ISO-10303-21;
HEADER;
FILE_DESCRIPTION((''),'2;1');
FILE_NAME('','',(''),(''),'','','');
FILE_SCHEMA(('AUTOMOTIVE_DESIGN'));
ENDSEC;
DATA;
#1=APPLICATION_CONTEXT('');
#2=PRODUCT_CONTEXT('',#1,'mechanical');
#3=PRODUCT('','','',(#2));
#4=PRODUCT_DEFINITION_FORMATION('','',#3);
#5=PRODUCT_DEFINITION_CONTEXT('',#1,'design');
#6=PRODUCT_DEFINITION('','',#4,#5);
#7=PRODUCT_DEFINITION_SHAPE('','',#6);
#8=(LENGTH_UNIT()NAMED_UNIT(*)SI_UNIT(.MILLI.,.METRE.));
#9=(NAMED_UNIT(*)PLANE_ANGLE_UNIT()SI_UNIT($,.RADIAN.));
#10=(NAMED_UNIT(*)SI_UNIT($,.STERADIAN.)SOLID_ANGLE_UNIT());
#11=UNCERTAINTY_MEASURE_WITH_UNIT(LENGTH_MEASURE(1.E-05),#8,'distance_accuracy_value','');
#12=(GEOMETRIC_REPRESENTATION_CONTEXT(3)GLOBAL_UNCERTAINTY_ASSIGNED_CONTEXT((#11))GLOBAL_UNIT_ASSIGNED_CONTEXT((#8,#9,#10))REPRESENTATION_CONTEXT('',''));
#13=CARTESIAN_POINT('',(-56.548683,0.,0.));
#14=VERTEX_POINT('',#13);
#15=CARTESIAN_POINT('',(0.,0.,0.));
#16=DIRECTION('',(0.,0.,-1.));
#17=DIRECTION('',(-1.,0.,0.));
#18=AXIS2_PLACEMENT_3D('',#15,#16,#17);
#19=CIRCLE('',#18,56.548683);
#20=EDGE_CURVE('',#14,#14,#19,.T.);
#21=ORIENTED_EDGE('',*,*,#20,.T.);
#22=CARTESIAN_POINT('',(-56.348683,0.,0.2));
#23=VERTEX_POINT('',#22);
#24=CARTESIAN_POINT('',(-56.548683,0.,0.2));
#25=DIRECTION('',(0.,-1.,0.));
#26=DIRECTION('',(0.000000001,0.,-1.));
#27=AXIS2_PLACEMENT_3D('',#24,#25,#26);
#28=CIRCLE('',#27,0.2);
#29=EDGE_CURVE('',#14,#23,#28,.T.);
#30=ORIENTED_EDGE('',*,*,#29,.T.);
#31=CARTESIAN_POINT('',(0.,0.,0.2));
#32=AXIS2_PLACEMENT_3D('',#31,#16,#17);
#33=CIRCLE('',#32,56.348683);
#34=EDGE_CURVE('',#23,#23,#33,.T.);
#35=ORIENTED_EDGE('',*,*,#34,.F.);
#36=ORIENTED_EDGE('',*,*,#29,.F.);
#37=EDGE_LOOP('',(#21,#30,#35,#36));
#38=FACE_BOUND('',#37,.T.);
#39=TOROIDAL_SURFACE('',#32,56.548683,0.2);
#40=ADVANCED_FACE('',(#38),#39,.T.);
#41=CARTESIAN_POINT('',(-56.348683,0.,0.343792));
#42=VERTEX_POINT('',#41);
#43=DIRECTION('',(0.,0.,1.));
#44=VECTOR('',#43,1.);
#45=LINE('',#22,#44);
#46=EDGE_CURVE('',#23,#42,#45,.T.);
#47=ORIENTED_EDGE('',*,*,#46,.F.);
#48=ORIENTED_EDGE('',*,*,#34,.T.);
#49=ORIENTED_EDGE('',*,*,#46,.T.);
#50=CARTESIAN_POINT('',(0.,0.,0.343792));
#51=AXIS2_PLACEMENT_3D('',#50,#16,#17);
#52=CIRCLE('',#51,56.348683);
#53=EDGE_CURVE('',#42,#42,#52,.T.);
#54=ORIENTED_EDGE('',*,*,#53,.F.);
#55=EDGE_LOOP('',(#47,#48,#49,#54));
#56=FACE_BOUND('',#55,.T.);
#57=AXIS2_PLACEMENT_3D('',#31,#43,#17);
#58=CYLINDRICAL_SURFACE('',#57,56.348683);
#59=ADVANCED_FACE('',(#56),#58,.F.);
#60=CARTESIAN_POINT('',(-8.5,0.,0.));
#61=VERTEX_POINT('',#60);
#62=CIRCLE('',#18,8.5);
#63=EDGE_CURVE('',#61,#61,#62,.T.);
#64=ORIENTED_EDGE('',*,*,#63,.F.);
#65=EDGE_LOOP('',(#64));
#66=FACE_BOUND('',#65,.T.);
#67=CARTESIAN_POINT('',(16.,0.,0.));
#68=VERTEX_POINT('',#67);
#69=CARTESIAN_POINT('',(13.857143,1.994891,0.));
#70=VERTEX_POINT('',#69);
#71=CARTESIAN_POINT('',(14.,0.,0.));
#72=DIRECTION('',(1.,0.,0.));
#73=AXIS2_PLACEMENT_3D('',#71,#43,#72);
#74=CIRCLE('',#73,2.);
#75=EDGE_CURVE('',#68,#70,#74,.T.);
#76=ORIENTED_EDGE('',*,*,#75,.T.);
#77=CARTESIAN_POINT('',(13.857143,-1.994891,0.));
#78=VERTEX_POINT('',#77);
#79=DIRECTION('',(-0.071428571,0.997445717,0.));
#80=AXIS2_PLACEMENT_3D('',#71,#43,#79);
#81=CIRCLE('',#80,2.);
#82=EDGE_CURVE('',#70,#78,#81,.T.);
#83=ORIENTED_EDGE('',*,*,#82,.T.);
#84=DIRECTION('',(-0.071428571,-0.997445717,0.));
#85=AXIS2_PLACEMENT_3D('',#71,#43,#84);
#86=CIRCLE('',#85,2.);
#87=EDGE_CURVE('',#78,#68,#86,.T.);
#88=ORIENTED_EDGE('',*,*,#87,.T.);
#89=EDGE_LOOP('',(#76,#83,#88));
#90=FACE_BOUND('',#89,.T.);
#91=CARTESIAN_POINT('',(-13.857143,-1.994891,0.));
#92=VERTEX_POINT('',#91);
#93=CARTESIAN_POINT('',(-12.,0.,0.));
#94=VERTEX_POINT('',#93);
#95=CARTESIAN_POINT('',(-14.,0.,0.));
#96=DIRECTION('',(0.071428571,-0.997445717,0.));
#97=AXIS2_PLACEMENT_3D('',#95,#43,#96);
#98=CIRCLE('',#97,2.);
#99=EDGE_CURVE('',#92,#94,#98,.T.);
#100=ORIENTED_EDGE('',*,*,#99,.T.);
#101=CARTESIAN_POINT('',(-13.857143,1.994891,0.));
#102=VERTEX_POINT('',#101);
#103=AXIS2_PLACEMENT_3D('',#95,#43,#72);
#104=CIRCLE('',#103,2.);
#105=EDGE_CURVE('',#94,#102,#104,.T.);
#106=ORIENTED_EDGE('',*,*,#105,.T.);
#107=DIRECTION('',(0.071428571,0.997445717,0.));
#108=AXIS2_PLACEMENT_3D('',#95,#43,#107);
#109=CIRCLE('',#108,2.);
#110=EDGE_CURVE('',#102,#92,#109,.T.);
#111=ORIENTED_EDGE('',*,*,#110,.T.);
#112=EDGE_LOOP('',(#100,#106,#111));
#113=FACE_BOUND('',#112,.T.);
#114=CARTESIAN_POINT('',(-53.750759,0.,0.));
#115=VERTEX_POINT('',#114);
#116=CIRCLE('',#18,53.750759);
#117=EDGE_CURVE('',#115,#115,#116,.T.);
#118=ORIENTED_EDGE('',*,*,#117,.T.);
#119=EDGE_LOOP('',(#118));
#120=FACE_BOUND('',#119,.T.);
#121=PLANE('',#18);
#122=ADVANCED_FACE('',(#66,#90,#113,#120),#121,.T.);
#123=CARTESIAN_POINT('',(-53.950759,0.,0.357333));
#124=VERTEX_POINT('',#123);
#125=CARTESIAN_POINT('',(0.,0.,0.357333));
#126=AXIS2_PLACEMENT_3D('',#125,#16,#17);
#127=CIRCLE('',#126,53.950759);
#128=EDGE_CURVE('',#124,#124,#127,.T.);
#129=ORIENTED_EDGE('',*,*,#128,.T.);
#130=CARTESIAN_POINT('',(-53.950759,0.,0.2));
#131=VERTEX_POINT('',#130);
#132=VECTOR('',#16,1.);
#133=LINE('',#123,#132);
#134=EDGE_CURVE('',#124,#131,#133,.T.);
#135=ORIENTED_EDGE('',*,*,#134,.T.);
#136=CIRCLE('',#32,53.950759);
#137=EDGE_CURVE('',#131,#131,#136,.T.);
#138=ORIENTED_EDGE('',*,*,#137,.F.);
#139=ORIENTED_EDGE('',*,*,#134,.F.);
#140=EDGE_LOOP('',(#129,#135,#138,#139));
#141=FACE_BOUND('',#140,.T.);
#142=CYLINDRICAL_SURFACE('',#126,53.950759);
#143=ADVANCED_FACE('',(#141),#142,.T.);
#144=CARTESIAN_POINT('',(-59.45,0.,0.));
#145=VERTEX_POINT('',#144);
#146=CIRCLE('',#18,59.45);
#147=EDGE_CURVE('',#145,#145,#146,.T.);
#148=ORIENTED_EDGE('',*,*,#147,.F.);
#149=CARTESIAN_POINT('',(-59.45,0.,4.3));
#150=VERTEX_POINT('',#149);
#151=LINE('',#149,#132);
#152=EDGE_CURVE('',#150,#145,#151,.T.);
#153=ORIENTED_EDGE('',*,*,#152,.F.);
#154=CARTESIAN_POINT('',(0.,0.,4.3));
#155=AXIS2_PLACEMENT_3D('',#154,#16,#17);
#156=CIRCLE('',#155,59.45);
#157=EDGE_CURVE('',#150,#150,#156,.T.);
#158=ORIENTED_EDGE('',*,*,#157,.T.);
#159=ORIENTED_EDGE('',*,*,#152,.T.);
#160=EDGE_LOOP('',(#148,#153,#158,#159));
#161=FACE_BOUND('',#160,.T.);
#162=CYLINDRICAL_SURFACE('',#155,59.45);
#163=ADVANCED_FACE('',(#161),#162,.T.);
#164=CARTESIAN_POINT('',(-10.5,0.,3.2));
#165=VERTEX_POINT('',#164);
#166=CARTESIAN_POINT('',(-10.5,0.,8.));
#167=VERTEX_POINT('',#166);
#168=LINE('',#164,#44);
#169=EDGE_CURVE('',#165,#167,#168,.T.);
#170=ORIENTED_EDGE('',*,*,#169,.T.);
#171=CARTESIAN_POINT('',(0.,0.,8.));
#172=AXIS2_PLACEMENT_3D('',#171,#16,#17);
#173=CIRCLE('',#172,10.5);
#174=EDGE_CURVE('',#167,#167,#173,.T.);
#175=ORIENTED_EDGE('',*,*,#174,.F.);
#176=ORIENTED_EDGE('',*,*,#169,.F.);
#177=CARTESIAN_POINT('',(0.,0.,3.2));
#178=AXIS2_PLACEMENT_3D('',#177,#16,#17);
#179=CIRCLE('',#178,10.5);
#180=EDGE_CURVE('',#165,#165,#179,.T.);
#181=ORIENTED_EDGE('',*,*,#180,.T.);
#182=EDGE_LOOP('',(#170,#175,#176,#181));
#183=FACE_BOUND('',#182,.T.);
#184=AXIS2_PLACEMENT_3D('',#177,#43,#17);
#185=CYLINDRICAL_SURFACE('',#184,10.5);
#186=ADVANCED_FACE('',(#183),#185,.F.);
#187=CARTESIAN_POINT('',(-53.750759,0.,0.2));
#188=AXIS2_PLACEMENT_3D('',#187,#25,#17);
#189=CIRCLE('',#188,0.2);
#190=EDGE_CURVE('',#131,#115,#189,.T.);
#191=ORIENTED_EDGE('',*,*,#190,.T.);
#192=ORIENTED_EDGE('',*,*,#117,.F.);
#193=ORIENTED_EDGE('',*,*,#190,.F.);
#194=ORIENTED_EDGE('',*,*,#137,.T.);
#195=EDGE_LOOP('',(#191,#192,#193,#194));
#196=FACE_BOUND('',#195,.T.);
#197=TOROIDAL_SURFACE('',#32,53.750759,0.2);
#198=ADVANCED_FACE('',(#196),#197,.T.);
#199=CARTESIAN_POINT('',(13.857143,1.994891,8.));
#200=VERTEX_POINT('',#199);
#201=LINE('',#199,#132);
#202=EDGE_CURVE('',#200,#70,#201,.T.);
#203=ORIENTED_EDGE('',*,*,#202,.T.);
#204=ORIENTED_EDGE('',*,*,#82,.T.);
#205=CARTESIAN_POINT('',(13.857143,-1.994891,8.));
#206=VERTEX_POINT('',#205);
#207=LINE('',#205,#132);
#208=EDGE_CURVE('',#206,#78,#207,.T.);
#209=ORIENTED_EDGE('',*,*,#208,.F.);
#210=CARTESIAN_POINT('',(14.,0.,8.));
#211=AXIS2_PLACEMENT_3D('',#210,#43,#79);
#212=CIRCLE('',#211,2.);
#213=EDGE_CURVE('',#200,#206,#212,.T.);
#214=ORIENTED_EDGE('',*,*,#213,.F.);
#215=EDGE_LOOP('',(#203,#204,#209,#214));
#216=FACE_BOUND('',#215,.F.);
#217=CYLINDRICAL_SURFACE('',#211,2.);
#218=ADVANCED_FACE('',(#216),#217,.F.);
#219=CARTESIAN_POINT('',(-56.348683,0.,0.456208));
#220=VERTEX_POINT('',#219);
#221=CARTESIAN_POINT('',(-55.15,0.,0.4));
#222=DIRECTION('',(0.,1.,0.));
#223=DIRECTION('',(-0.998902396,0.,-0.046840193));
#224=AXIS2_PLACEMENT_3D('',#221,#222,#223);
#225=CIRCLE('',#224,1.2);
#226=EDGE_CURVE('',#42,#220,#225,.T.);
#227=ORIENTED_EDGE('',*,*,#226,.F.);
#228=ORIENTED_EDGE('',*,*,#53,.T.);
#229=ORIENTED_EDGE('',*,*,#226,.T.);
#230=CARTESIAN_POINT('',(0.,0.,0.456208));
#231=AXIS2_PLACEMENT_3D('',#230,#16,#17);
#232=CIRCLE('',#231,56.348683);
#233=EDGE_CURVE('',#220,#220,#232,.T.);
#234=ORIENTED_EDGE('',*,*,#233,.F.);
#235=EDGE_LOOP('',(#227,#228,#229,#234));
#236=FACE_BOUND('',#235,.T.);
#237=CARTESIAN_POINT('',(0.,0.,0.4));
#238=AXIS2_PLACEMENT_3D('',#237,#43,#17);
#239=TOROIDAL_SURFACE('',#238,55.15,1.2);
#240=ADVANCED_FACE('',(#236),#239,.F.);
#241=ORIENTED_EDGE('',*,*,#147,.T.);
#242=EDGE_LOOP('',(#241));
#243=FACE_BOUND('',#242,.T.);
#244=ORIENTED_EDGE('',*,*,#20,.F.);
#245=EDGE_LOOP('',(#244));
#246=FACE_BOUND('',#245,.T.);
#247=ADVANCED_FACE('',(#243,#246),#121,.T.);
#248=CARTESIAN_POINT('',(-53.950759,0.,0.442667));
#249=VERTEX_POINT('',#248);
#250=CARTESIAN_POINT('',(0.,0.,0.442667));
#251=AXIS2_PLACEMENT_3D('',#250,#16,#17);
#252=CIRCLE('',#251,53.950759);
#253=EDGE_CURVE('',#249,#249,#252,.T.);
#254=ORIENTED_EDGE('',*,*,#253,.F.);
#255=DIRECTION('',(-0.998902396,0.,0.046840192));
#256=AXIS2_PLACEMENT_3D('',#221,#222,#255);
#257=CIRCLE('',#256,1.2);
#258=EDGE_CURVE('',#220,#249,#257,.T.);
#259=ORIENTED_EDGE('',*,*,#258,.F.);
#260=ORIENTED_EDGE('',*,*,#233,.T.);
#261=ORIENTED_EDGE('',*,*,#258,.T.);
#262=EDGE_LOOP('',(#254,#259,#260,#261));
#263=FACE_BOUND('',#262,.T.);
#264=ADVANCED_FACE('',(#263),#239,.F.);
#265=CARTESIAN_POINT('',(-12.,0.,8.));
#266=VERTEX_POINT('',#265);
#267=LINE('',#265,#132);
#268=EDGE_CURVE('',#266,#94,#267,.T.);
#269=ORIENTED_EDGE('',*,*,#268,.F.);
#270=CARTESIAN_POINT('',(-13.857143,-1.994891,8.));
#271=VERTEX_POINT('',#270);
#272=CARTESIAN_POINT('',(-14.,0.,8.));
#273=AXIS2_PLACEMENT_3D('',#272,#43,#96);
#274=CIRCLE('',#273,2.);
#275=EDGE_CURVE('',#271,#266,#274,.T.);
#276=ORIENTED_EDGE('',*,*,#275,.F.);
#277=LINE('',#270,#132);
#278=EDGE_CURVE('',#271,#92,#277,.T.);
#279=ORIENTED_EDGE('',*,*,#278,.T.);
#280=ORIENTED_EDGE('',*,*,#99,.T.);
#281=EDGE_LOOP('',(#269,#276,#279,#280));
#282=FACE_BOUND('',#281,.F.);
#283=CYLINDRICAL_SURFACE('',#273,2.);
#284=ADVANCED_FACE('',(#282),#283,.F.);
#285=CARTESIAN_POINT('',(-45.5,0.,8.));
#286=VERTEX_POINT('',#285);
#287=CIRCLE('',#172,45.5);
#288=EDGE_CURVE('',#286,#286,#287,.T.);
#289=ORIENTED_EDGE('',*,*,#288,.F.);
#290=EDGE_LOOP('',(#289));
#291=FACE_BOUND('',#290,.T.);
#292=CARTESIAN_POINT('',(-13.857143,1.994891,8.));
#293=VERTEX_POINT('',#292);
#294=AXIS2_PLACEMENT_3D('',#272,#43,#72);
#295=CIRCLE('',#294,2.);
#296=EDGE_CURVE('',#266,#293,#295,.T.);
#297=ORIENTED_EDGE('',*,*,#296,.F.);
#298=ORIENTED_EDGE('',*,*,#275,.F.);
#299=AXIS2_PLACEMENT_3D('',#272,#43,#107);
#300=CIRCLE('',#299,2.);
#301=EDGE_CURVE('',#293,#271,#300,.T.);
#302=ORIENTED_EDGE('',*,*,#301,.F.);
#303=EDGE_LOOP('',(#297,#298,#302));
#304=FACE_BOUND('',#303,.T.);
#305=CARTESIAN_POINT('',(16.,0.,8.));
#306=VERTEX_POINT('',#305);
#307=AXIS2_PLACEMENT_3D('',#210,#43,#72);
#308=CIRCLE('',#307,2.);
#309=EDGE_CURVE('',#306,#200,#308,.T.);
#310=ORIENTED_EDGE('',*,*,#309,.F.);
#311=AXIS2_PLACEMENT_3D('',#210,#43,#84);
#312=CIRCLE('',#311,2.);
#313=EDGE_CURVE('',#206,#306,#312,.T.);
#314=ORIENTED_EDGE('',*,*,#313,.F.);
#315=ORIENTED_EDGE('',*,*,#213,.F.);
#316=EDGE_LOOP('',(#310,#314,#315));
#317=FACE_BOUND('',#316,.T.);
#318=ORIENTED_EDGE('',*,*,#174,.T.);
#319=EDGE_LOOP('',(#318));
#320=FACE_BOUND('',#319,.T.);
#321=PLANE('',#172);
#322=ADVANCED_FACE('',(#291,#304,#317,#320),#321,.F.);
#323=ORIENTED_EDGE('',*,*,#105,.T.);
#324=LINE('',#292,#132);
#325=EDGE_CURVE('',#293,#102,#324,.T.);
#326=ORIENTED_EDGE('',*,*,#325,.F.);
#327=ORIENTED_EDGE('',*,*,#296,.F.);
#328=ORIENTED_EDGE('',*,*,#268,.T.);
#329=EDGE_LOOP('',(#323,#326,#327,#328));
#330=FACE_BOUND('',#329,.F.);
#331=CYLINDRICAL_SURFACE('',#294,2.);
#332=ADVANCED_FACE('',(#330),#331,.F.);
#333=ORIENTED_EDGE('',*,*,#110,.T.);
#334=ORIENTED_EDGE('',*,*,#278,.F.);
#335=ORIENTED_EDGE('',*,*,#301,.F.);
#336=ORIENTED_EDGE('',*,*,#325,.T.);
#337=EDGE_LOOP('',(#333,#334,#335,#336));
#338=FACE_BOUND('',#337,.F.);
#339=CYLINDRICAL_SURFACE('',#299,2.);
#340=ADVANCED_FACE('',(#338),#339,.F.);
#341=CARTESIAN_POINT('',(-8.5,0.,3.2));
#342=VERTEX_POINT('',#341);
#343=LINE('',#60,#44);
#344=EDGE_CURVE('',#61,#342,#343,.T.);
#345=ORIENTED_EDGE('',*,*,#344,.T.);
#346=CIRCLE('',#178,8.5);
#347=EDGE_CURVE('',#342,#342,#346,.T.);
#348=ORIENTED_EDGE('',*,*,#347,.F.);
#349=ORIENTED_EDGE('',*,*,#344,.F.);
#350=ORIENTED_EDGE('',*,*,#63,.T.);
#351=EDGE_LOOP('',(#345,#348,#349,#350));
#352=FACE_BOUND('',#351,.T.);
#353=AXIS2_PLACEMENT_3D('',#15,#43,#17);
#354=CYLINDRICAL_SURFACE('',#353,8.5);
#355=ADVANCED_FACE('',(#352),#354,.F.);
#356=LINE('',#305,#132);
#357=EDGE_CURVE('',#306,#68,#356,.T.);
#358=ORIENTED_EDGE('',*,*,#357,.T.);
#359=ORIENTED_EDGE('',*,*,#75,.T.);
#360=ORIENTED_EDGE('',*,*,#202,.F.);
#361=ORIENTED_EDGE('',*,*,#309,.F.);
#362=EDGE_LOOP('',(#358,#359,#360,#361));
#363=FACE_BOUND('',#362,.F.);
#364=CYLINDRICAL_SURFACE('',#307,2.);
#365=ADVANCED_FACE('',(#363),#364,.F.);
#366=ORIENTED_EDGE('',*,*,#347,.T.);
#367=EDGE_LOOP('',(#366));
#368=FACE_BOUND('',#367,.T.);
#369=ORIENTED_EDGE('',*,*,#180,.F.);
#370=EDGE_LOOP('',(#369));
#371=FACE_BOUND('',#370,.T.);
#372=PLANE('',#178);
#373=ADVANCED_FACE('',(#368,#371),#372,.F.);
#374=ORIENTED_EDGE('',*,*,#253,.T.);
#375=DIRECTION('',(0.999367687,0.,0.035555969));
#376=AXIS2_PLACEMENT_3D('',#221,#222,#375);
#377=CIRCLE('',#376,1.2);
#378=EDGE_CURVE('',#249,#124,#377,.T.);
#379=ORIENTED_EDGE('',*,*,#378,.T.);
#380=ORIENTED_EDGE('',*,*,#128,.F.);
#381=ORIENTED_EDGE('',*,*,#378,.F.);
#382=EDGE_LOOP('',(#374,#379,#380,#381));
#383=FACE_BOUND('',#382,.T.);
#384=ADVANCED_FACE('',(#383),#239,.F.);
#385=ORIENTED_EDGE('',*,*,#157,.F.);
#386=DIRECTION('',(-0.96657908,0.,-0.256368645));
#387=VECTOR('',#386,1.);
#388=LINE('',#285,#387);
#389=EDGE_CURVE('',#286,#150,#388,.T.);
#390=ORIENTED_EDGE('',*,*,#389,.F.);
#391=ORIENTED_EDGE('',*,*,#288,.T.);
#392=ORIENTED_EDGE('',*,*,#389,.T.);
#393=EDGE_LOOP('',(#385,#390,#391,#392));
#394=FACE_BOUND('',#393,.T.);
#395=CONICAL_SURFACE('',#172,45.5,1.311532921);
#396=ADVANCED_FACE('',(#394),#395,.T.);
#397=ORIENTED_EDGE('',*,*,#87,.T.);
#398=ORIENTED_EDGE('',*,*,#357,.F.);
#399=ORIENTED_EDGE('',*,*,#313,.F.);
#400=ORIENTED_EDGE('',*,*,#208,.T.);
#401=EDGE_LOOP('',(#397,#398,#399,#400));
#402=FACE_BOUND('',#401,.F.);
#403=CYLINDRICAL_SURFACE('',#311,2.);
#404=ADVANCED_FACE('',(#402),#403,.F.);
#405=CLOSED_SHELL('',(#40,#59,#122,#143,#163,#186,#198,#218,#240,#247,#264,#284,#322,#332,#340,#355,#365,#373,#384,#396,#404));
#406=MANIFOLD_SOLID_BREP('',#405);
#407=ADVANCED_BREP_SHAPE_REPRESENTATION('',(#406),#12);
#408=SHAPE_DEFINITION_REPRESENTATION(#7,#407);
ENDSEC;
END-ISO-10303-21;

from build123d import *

# Parameters (mm, degrees)
F0_W     = 2
F0_H     = 8
F3_DEPTH = 25


with BuildPart() as f1:
    # F0 (on Front) → F1 (revolve)
    with BuildSketch(Plane.XZ):
        with BuildLine():
            Line((-53.7507587761, 0), (-16, 0))
            Line((-16, 0), (-16, 8))
            Line((-16, 8), (-45.5, 8))
            Line((-45.5, 8), (-59.45, 4.3))
            Line((-59.45, 4.3), (-59.45, 0))
            Line((-59.45, 0), (-56.548682875, 0))
            ThreePointArc((-56.548682875, 0), (-56.4072615188, 0.0585786438), (-56.348682875, 0.2))
            Line((-56.348682875, 0.2), (-56.348682875, 0.3437917702))
            ThreePointArc((-56.348682875, 0.3437917702), (-56.35, 0.4), (-56.348682875, 0.4562082298))
            ThreePointArc((-56.348682875, 0.4562082298), (-55.1432237144, 1.5999808673), (-53.9507587761, 0.442667165))
            ThreePointArc((-53.9507587761, 0.442667165), (-53.95, 0.4), (-53.9507587761, 0.357332835))
            Line((-53.9507587761, 0.357332835), (-53.9507587761, 0.2))
            ThreePointArc((-53.9507587761, 0.2), (-53.8921801324, 0.0585786438), (-53.7507587761, 0))
        make_face()
        with Locations((-13, 4)):
            Rectangle(F0_W, F0_H)
        with Locations((-15, 4)):
            Rectangle(F0_W, F0_H)
        Polygon((-12, 0), (-8.5, 0), (-8.5, 3.2), (-10.5, 3.2), (-10.5, 8), (-12, 8), align=None)
    revolve(axis=Axis((0, 0, 5.6), (0, 0, -1)))

    # F2 (on face) → F3 (cut)
    with BuildSketch(Plane.XY.offset(8)):
        with BuildLine():
            ThreePointArc((-13.8571428571, -1.9948914348), (-14, 0), (-13.8571428571, 1.9948914348))
            ThreePointArc((-13.8571428571, 1.9948914348), (-16, 0), (-13.8571428571, -1.9948914348))
        make_face()
        with BuildLine():
            ThreePointArc((-12, 0), (-12.5361498906, 1.3627702877), (-13.8571428571, 1.9948914348))
            ThreePointArc((-13.8571428571, 1.9948914348), (-14, 0), (-13.8571428571, -1.9948914348))
            ThreePointArc((-13.8571428571, -1.9948914348), (-12.5361498906, -1.3627702877), (-12, 0))
        make_face()
        with BuildLine():
            ThreePointArc((13.8571428571, -1.9948914348), (13.9642400438, -1), (14, 0))
            ThreePointArc((14, 0), (13.9642400438, 1), (13.8571428571, 1.9948914348))
            ThreePointArc((13.8571428571, 1.9948914348), (12, 0), (13.8571428571, -1.9948914348))
        make_face()
        with BuildLine():
            ThreePointArc((13.8571428571, 1.9948914348), (13.9642400438, 1), (14, 0))
            ThreePointArc((14, 0), (13.9642400438, -1), (13.8571428571, -1.9948914348))
            ThreePointArc((13.8571428571, -1.9948914348), (15.3627702877, -1.4638501094), (16, 0))
            ThreePointArc((16, 0), (15.3627702877, 1.4638501094), (13.8571428571, 1.9948914348))
        make_face()
    extrude(amount=-F3_DEPTH, mode=Mode.SUBTRACT)


solid = f1.part
